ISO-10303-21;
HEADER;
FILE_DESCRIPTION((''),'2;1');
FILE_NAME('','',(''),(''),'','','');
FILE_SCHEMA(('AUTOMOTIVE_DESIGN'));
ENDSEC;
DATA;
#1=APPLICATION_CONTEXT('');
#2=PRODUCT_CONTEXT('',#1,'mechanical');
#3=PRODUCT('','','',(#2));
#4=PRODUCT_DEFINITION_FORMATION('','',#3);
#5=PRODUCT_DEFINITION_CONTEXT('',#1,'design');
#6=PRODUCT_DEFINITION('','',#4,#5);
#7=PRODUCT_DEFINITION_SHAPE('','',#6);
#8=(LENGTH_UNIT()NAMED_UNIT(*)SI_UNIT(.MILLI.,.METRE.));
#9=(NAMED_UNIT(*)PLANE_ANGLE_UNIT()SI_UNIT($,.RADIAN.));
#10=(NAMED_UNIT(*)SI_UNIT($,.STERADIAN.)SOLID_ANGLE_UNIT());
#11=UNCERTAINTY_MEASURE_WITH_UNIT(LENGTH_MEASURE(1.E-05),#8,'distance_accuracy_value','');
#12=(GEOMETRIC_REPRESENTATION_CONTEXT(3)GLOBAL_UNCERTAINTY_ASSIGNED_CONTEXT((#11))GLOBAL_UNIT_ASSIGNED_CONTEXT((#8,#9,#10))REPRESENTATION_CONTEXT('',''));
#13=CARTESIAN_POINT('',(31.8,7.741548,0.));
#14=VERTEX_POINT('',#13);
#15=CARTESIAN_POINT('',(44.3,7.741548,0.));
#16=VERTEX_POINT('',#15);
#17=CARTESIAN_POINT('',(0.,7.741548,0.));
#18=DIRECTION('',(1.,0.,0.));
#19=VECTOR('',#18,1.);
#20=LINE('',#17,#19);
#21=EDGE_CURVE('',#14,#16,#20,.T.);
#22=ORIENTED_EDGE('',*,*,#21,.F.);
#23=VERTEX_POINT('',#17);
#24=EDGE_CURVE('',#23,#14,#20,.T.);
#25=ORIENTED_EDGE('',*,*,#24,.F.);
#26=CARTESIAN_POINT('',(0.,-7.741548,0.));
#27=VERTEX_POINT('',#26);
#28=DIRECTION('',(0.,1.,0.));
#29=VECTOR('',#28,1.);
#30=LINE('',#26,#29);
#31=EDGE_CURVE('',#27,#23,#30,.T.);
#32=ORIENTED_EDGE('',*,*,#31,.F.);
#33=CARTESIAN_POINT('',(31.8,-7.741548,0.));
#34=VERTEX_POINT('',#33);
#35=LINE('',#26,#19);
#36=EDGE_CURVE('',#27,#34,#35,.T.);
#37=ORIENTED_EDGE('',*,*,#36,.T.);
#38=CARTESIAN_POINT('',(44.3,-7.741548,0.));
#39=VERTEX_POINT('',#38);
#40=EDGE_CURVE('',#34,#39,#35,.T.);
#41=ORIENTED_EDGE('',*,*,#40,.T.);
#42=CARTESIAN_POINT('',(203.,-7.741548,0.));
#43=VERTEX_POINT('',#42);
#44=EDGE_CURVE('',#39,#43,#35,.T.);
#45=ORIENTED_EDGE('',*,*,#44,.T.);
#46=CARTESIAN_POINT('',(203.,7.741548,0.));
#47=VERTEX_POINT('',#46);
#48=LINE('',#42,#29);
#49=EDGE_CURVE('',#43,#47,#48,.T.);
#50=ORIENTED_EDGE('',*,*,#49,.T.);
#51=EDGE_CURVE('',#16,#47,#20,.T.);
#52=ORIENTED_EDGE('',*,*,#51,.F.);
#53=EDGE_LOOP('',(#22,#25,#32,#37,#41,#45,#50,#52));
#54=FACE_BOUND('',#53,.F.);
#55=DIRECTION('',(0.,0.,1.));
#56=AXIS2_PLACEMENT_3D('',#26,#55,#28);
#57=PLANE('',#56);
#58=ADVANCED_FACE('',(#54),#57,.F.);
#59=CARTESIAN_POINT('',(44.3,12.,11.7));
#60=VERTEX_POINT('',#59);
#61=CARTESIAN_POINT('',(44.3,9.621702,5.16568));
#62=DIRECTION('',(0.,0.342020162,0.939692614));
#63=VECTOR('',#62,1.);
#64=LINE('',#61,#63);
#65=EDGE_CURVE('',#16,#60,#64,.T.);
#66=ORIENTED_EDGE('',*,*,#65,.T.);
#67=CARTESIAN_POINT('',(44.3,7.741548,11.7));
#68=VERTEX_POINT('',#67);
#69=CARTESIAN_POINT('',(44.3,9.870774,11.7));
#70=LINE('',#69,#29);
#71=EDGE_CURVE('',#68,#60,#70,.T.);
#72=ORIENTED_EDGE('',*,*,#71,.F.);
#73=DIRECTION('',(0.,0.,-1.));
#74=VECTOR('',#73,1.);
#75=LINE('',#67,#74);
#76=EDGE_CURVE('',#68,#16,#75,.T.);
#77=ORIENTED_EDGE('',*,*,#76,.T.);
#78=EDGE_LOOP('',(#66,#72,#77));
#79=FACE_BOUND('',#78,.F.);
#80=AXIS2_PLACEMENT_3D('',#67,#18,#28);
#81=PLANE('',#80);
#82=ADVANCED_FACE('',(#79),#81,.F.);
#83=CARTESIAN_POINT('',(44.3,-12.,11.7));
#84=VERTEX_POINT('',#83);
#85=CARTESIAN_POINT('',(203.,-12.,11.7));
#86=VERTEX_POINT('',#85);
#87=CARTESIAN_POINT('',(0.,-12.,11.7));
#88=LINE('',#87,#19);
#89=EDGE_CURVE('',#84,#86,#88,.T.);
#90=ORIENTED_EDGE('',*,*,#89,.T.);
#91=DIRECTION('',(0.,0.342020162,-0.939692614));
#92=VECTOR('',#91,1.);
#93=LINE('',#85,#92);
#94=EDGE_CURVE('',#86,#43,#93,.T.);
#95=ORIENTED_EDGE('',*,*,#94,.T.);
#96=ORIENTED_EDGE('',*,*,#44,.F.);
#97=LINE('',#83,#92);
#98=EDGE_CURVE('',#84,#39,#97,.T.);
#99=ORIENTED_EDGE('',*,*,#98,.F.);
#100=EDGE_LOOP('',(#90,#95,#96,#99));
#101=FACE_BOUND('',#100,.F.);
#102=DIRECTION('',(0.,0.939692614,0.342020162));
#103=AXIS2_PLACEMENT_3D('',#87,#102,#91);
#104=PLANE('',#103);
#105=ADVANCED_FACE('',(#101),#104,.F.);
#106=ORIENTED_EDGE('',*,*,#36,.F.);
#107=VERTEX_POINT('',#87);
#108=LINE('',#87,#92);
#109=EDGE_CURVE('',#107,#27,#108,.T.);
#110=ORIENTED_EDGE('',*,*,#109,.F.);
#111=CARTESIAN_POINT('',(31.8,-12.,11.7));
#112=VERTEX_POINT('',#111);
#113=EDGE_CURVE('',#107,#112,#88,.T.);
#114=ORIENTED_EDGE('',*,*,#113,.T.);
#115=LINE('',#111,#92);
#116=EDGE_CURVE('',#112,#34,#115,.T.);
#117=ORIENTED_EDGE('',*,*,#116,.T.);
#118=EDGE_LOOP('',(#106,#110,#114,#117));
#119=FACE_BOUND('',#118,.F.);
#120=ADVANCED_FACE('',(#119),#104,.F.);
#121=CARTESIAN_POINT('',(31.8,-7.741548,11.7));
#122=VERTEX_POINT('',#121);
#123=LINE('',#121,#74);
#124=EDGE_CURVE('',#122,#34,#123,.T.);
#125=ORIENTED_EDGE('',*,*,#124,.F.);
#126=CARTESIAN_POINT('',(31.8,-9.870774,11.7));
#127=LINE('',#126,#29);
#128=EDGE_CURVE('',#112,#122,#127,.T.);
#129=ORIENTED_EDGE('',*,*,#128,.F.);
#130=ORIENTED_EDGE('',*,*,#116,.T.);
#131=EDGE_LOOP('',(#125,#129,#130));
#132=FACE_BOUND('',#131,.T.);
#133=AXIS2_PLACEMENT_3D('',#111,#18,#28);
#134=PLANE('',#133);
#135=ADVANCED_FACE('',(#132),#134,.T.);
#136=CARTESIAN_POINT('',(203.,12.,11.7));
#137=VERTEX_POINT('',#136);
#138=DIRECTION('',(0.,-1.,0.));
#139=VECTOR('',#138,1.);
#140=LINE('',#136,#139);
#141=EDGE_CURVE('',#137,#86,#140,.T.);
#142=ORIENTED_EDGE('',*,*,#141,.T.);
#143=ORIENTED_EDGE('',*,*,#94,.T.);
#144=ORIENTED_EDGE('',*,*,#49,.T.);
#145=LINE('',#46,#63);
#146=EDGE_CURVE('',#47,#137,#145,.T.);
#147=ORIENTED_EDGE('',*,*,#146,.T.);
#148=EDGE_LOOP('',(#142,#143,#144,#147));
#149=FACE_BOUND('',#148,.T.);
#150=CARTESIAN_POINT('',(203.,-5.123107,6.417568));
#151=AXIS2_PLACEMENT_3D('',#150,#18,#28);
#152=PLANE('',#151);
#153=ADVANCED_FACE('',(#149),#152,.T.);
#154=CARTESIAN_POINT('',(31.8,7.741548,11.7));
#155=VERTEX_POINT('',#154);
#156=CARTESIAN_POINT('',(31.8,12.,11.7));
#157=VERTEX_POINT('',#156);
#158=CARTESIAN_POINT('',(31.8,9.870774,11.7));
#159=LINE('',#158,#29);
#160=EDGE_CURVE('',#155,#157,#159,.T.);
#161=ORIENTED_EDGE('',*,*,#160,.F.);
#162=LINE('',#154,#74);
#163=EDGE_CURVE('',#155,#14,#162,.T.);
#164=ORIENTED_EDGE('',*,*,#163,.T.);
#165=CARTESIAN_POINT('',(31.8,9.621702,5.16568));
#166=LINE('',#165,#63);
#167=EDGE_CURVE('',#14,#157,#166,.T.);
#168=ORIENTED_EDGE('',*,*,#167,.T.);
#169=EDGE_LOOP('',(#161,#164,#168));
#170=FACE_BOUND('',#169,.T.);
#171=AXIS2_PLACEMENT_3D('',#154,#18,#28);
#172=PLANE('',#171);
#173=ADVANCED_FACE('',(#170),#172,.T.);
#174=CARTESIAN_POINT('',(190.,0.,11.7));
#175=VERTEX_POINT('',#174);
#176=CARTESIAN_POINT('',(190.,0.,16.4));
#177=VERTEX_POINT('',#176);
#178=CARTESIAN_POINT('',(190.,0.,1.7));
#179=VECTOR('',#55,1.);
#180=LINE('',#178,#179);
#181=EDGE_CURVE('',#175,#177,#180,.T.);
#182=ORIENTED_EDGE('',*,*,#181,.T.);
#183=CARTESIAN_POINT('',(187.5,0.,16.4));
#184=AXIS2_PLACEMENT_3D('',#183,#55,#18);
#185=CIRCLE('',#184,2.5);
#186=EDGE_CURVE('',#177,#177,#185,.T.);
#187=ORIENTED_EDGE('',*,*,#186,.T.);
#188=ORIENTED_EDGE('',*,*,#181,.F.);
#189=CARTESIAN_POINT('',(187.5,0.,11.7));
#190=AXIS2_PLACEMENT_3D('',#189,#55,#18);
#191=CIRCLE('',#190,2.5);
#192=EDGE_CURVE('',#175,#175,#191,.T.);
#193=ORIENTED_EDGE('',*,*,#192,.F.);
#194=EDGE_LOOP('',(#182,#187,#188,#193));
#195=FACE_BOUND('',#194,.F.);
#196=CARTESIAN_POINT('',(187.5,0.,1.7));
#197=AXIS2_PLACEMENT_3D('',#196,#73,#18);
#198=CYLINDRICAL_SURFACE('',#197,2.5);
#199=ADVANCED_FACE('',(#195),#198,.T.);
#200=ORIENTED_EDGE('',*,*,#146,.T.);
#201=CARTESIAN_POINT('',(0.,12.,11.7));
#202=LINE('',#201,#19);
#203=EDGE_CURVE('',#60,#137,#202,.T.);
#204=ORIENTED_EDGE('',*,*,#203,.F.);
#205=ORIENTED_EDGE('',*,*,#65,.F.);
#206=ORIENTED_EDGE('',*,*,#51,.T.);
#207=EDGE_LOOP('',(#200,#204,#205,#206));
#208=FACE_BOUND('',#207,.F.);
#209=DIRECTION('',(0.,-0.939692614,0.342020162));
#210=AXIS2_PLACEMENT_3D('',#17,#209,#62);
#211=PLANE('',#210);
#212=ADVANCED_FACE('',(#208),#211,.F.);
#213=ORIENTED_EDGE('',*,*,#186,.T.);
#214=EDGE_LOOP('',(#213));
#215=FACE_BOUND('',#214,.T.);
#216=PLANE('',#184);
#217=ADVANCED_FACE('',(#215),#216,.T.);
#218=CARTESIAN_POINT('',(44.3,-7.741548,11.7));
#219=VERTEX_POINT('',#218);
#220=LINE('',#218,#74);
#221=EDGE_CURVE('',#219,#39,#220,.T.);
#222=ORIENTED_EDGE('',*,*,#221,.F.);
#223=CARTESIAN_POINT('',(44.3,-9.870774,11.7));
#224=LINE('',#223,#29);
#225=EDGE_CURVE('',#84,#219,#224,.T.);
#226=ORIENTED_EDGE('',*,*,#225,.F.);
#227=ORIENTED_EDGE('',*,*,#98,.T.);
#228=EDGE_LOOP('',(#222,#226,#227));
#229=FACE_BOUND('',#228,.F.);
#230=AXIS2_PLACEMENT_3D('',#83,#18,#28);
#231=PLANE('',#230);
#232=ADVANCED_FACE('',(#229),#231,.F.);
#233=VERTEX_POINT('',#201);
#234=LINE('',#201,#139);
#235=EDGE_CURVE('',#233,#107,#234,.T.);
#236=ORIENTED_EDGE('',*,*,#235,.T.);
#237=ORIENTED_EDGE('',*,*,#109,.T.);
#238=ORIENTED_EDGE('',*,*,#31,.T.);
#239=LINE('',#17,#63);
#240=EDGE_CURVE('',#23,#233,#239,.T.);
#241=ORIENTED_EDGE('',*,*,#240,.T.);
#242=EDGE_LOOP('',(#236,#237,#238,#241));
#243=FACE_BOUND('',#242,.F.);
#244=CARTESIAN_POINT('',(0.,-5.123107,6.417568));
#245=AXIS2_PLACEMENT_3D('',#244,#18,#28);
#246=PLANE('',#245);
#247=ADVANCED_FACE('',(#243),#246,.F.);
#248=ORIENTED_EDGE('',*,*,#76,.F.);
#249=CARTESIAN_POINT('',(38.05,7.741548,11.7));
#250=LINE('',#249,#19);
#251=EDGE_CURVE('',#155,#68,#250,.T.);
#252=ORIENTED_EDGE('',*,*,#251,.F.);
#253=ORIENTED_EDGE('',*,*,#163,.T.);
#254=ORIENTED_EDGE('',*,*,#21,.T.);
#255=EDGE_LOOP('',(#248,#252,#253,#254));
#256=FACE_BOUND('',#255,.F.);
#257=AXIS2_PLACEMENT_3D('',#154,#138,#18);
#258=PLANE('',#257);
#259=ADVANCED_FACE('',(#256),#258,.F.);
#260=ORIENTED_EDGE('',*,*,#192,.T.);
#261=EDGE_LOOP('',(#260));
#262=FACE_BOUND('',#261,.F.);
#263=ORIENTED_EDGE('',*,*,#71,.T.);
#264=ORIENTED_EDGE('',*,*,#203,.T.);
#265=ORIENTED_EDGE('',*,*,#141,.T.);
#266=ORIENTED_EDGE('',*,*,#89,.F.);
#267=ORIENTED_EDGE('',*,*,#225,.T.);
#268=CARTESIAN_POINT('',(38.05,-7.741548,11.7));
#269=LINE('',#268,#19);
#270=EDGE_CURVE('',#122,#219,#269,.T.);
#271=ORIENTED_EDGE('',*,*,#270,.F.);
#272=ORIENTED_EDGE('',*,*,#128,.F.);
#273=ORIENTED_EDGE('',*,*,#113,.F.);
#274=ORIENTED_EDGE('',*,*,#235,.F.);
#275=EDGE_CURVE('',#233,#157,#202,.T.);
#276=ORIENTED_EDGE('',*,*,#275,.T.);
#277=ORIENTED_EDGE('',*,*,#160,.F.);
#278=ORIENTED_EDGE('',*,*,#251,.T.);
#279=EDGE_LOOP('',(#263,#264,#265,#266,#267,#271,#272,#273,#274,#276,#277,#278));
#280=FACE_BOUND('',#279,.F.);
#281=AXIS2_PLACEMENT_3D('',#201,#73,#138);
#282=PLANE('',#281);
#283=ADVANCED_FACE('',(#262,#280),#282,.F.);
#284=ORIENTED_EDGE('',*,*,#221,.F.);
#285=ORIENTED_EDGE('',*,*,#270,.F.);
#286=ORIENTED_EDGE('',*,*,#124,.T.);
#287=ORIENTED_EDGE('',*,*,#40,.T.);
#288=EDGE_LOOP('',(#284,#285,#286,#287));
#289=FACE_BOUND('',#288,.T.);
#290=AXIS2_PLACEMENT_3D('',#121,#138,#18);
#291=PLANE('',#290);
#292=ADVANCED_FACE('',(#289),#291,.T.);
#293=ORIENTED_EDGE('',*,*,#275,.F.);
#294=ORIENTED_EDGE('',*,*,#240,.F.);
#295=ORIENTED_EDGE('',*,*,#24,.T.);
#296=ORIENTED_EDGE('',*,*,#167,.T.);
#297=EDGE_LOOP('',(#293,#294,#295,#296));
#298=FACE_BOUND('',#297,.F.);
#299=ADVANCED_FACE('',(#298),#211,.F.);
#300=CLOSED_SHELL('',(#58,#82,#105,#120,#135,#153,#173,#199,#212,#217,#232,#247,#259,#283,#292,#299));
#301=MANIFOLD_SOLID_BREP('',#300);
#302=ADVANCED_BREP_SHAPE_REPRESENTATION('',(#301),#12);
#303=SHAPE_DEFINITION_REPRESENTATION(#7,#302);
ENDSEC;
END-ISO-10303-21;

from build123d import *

# Parameters (mm, degrees)
F1_DEPTH  = 203
F2_R      = 2.5
F3_DEPTH  = 10
F4_W      = 12.5
F4_H      = 4.258452
F5_DEPTH  = 11.701
F3_FACE_R = 2.5
F6_DEPTH  = 14.7


with BuildPart() as f1:
    # F0 (on Right) → F1 (new body)
    with BuildSketch(Plane.YZ):
        Polygon((-12, 11.7), (-7.741548, 0), (0, 0), (0, 11.7), align=None)
        Polygon((0, 11.7), (0, 0), (7.741548, 0), (12, 11.7), align=None)
    extrude(amount=F1_DEPTH)

    # F2 (on face) → F3 (cut)
    with BuildSketch(Plane.XY.offset(11.7)):
        with Locations((187.5, 0)):
            Circle(F2_R)
    extrude(amount=-F3_DEPTH, mode=Mode.SUBTRACT)

    # F4 (on face) → F5 (cut, through all)
    with BuildSketch(Plane.XY.offset(11.7)):
        with Locations((38.05, 9.870774)):
            Rectangle(F4_W, F4_H)
        with Locations((38.05, -9.870774)):
            Rectangle(F4_W, F4_H)
    extrude(amount=-F5_DEPTH, mode=Mode.SUBTRACT)

    # F3_face (on face) → F6 (join)
    with BuildSketch(Plane(origin=(187.5, 0, 1.7), x_dir=(1, 0, 0), z_dir=(0, 0, 1))):
        Circle(F3_FACE_R)
    extrude(amount=F6_DEPTH)


solid = f1.part
